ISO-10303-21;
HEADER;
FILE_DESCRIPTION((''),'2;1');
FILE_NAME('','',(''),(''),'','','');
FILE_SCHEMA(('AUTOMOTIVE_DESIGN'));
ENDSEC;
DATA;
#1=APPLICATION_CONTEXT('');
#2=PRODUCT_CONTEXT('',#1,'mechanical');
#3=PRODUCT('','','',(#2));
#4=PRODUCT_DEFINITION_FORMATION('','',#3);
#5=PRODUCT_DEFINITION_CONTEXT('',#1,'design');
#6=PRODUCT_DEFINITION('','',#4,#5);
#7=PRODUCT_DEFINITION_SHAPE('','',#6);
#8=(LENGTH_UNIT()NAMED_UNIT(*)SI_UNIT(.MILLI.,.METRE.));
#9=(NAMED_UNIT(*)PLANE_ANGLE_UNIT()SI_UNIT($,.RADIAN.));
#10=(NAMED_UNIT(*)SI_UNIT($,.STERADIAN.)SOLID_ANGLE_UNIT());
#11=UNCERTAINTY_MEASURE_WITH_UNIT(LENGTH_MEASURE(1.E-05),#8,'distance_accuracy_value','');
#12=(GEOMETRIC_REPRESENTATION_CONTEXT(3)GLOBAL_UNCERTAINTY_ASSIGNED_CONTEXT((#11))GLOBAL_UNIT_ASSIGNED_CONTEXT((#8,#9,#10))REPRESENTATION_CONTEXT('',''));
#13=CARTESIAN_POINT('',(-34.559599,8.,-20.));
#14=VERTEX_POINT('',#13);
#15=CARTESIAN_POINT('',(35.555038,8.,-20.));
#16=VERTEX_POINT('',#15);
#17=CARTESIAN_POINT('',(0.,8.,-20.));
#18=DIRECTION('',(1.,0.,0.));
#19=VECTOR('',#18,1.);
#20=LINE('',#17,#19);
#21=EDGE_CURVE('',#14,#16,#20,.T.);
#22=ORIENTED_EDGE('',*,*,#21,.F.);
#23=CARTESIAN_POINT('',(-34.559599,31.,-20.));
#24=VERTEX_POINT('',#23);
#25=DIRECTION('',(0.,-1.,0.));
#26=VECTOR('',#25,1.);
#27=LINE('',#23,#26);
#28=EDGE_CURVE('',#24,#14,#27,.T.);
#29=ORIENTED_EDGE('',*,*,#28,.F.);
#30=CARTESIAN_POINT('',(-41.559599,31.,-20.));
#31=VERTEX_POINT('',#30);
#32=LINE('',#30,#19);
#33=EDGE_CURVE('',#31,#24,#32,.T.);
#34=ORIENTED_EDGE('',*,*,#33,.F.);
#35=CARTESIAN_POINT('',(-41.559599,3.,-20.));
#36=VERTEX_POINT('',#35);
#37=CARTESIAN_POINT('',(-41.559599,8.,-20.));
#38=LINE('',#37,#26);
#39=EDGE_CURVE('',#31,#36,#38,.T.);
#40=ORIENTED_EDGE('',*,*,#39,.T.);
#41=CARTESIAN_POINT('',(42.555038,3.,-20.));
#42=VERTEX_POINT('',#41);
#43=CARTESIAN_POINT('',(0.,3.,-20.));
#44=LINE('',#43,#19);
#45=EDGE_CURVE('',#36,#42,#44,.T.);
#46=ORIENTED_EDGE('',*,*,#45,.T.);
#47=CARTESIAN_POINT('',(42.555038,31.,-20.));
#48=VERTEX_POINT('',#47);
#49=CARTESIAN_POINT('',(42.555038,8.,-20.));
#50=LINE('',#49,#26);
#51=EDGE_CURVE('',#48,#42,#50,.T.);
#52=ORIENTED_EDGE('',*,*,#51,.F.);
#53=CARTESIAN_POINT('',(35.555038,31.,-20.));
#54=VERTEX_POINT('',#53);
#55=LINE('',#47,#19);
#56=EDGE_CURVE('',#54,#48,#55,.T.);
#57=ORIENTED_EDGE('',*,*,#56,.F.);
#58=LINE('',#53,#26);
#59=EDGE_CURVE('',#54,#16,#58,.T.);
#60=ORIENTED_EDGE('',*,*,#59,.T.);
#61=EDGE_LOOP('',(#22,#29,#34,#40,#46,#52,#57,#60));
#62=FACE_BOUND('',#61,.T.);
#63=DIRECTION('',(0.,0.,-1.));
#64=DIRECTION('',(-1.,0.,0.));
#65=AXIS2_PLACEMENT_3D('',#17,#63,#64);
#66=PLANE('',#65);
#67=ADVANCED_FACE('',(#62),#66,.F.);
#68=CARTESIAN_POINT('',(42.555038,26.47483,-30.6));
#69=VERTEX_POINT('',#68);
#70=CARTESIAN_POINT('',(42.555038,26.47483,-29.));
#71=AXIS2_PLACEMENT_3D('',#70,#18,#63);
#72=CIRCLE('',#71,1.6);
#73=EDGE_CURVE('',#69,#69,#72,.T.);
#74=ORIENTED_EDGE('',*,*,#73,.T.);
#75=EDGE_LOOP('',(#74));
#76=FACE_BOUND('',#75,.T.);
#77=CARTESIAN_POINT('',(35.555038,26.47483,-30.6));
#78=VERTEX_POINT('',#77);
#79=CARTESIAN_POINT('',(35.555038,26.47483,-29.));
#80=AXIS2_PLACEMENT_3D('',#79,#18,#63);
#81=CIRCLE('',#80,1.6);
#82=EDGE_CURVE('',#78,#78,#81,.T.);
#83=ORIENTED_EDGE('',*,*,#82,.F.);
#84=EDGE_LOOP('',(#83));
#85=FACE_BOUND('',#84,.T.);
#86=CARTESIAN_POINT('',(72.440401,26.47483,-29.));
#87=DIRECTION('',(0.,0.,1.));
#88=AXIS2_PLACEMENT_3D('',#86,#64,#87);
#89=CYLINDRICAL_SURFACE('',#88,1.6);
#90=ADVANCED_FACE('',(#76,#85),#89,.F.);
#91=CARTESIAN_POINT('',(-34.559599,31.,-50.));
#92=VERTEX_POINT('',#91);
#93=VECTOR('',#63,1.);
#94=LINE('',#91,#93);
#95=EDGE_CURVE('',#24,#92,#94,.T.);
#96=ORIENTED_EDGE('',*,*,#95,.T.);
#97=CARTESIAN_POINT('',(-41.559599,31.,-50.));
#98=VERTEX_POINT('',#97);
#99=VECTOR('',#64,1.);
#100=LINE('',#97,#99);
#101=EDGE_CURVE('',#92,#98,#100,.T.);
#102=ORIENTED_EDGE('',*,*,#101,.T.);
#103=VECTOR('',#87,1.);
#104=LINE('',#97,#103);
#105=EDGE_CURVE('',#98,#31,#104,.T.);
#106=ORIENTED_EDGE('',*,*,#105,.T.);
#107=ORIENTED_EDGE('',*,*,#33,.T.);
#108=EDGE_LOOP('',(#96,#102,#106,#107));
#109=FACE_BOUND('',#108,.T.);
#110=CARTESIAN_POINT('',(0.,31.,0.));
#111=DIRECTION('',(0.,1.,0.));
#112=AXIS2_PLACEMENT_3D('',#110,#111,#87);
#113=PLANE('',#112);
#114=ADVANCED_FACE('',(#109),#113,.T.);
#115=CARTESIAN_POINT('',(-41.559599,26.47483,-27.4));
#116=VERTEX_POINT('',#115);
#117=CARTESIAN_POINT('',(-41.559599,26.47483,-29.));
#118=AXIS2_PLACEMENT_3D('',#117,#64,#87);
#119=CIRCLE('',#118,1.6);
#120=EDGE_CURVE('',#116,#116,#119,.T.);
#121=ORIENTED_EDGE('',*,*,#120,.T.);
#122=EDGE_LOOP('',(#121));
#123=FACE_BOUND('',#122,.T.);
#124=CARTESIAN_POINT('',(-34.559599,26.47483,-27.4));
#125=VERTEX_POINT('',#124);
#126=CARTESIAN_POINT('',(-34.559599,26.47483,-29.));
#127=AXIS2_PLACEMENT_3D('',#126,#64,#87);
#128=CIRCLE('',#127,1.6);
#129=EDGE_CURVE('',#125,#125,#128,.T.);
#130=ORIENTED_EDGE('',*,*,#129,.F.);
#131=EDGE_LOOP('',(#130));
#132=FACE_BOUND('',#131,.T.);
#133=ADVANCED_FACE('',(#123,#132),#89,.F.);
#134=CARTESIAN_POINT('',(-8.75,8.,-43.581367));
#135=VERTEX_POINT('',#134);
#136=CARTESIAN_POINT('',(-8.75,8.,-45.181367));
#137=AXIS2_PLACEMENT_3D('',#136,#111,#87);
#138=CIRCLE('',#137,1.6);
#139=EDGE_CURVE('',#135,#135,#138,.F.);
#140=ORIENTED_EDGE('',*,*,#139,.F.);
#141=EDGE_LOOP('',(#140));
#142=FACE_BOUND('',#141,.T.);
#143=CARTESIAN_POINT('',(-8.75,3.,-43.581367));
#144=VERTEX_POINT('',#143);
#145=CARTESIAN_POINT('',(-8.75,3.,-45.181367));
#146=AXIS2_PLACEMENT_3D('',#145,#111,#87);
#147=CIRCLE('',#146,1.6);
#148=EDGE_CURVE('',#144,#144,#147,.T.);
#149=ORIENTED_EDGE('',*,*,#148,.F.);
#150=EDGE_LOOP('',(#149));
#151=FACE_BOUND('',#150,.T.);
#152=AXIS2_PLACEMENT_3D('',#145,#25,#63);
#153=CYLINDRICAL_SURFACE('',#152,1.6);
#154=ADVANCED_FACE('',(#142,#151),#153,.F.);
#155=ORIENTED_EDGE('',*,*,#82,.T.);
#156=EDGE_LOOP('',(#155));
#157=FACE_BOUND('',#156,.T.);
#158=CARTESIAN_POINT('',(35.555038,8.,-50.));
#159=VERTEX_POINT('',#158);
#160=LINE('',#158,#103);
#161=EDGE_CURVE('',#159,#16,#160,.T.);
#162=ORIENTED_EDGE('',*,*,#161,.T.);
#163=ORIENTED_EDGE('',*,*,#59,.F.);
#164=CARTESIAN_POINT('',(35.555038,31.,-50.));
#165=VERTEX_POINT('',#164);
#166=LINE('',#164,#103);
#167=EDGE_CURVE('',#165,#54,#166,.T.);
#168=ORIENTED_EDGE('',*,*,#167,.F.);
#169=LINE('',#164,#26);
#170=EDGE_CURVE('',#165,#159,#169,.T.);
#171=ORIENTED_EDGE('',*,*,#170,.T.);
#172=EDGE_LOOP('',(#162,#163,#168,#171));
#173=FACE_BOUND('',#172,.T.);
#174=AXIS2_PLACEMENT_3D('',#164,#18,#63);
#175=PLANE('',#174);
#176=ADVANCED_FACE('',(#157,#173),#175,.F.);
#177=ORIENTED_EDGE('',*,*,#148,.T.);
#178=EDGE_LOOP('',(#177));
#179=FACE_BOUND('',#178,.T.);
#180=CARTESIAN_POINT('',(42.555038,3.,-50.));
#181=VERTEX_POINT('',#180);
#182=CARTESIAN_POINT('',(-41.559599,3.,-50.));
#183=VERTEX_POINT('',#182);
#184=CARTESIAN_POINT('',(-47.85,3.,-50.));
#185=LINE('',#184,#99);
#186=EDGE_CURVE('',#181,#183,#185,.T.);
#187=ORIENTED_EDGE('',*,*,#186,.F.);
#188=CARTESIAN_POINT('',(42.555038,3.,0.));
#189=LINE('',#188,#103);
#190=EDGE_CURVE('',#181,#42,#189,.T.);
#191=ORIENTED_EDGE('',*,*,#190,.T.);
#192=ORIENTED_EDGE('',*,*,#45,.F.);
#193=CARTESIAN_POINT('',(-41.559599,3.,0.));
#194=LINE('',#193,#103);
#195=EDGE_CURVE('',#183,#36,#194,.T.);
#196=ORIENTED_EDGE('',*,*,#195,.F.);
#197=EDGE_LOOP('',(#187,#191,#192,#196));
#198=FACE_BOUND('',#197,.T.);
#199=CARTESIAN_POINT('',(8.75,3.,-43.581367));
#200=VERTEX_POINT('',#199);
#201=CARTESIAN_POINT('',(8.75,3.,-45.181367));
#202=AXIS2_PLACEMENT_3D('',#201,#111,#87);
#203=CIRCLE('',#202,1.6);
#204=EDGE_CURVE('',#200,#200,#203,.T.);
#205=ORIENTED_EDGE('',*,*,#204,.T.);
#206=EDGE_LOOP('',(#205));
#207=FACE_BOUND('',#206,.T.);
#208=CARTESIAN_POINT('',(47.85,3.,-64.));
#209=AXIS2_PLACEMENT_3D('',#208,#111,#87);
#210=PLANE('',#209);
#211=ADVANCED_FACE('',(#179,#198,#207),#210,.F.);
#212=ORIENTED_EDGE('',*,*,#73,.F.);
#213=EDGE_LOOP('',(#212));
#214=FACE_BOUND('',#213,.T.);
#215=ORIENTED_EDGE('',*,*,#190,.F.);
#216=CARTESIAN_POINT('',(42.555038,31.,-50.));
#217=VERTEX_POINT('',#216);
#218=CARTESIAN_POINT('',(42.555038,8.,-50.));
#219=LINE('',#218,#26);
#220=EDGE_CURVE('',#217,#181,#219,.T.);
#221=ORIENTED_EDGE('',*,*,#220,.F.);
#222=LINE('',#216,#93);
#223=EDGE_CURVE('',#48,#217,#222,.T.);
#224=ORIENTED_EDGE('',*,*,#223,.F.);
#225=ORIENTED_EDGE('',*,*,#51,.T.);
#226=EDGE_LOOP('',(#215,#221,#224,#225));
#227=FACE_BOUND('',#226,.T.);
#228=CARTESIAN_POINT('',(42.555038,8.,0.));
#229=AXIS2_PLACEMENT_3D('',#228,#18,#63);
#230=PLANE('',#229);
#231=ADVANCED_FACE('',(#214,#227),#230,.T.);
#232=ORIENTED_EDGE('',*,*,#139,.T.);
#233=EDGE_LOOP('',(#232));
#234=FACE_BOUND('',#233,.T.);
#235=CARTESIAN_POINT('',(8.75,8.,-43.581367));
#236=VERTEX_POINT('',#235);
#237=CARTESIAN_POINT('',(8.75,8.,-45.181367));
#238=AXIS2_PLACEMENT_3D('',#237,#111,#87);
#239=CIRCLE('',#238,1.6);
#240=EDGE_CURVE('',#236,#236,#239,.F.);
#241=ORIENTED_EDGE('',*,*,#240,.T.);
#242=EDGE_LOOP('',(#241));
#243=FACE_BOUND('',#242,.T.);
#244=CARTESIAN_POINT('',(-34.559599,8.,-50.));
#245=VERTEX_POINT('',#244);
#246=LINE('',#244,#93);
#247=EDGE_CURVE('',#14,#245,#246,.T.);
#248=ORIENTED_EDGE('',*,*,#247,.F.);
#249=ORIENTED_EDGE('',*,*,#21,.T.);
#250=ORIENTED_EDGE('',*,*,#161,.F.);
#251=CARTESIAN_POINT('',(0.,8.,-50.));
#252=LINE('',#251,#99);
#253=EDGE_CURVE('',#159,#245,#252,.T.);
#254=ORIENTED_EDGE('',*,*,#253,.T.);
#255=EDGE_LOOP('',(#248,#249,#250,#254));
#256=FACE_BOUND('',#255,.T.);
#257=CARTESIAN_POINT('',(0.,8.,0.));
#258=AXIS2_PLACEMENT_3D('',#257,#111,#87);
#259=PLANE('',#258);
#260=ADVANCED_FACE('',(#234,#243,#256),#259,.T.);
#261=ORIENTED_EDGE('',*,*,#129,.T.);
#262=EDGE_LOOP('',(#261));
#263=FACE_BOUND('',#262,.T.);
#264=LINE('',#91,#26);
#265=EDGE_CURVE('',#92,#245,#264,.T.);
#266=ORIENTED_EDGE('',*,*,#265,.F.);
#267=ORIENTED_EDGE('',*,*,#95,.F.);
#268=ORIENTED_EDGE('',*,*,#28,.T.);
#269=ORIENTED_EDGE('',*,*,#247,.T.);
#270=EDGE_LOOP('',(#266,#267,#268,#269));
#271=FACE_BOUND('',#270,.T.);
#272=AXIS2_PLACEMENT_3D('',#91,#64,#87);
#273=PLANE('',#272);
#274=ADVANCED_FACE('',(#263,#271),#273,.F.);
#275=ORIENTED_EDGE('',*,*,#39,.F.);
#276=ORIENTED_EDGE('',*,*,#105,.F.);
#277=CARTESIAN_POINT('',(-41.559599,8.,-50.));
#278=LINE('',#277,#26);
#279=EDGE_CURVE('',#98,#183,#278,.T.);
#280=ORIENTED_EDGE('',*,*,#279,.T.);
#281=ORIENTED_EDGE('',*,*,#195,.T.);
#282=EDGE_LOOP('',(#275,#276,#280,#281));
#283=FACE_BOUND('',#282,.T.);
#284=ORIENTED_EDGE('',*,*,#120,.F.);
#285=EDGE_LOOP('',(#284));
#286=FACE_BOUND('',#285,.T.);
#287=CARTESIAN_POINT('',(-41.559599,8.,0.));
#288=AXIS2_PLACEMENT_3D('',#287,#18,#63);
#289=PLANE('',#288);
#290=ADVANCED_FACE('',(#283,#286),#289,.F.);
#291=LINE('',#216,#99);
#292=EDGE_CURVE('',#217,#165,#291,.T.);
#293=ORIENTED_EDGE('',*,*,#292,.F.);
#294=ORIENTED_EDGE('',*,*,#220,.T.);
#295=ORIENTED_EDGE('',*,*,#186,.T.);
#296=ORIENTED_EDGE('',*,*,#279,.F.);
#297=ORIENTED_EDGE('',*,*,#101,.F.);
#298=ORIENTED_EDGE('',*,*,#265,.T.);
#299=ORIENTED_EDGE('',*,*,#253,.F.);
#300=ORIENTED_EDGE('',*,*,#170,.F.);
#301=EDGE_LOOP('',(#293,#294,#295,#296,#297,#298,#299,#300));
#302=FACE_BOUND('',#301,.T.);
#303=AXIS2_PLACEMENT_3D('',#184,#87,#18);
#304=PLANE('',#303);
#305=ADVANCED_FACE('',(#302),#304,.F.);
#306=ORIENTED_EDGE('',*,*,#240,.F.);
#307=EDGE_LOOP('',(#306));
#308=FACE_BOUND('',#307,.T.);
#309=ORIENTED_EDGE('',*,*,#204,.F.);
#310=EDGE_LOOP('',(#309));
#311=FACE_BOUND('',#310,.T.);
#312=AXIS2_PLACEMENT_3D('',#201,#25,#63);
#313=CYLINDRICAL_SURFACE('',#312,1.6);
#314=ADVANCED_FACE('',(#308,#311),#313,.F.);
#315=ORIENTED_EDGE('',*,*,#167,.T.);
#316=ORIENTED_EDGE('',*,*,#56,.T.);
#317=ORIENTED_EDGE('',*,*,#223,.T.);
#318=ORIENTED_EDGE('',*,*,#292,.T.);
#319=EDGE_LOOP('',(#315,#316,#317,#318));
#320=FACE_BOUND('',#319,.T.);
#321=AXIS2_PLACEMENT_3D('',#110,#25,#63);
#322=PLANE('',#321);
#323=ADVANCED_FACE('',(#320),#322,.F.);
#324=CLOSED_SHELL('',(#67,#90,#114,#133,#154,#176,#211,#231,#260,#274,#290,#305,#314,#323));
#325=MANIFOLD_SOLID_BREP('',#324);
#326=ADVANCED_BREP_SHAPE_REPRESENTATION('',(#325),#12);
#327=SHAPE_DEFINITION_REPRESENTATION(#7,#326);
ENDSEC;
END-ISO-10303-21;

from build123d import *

# Parameters (mm, degrees)
SKETCH1_W           = 95.7
SKETCH1_H           = 100
SKETCH1_R           = 1.6
BOSS_EXTRUDE1_DEPTH = 3
SKETCH2_W           = 84.114636839
SKETCH2_H           = 30
SKETCH2_R           = 1.6
BOSS_EXTRUDE2_DEPTH = 5
SKETCH3_W           = 7
SKETCH3_H           = 30
BOSS_EXTRUDE3_DEPTH = 23
SKETCH4_R           = 1.6
CUT_EXTRUDE1_DEPTH  = 114
SKETCH5_W           = 95.7
SKETCH5_H           = 6
CUT_EXTRUDE2_DEPTH  = 114


with BuildPart() as part:
    # Sketch1 → Boss-Extrude1 (new body, symmetric)
    with BuildSketch(Plane(origin=(0, 0, 0), x_dir=(1, 0, 0), z_dir=(0, 1, 0))):
        Rectangle(SKETCH1_W, SKETCH1_H)
        with Locations((-8.75, 45.181367204)):
            Circle(SKETCH1_R, mode=Mode.SUBTRACT)
        with Locations((8.75, 45.181367204)):
            Circle(SKETCH1_R, mode=Mode.SUBTRACT)
        with Locations((0, -46)):
            Circle(SKETCH1_R, mode=Mode.SUBTRACT)
    extrude(amount=BOSS_EXTRUDE1_DEPTH, both=True)

    # Sketch2 → Boss-Extrude2 (add)
    with BuildSketch(Plane(origin=(0, 3, 0), x_dir=(1, 0, 0), z_dir=(0, 1, 0))):
        with Locations((0.497719744, 35)):
            Rectangle(SKETCH2_W, SKETCH2_H)
        with Locations((-8.75, 45.181367204)):
            Circle(SKETCH2_R, mode=Mode.SUBTRACT)
        with Locations((8.75, 45.181367204)):
            Circle(SKETCH2_R, mode=Mode.SUBTRACT)
        with Locations((0.497719744, 35)):
            Rectangle(SKETCH2_W, SKETCH2_H)
        with Locations((-8.75, 45.181367204)):
            Circle(SKETCH2_R, mode=Mode.SUBTRACT)
        with Locations((8.75, 45.181367204)):
            Circle(SKETCH2_R, mode=Mode.SUBTRACT)
    extrude(amount=BOSS_EXTRUDE2_DEPTH)

    # Sketch3 → Boss-Extrude3 (add)
    with BuildSketch(Plane(origin=(0, 8, 0), x_dir=(1, 0, 0), z_dir=(0, 1, 0))):
        with Locations((-38.059598675, 35)):
            Rectangle(SKETCH3_W, SKETCH3_H)
        with Locations((39.055038164, 35)):
            Rectangle(SKETCH3_W, SKETCH3_H)
    extrude(amount=BOSS_EXTRUDE3_DEPTH)

    # Sketch4 → Cut-Extrude1 (cut)
    with BuildSketch(Plane.ZY.offset(41.559598675)):
        with Locations((-29, 26.474830264)):
            Circle(SKETCH4_R)
    extrude(amount=-CUT_EXTRUDE1_DEPTH, mode=Mode.SUBTRACT)

    # Sketch5 → Cut-Extrude2 (cut)
    with BuildSketch(Plane.XY.offset(50)):
        Rectangle(SKETCH5_W, SKETCH5_H)
    extrude(amount=-CUT_EXTRUDE2_DEPTH, mode=Mode.SUBTRACT)


solid = part.part
